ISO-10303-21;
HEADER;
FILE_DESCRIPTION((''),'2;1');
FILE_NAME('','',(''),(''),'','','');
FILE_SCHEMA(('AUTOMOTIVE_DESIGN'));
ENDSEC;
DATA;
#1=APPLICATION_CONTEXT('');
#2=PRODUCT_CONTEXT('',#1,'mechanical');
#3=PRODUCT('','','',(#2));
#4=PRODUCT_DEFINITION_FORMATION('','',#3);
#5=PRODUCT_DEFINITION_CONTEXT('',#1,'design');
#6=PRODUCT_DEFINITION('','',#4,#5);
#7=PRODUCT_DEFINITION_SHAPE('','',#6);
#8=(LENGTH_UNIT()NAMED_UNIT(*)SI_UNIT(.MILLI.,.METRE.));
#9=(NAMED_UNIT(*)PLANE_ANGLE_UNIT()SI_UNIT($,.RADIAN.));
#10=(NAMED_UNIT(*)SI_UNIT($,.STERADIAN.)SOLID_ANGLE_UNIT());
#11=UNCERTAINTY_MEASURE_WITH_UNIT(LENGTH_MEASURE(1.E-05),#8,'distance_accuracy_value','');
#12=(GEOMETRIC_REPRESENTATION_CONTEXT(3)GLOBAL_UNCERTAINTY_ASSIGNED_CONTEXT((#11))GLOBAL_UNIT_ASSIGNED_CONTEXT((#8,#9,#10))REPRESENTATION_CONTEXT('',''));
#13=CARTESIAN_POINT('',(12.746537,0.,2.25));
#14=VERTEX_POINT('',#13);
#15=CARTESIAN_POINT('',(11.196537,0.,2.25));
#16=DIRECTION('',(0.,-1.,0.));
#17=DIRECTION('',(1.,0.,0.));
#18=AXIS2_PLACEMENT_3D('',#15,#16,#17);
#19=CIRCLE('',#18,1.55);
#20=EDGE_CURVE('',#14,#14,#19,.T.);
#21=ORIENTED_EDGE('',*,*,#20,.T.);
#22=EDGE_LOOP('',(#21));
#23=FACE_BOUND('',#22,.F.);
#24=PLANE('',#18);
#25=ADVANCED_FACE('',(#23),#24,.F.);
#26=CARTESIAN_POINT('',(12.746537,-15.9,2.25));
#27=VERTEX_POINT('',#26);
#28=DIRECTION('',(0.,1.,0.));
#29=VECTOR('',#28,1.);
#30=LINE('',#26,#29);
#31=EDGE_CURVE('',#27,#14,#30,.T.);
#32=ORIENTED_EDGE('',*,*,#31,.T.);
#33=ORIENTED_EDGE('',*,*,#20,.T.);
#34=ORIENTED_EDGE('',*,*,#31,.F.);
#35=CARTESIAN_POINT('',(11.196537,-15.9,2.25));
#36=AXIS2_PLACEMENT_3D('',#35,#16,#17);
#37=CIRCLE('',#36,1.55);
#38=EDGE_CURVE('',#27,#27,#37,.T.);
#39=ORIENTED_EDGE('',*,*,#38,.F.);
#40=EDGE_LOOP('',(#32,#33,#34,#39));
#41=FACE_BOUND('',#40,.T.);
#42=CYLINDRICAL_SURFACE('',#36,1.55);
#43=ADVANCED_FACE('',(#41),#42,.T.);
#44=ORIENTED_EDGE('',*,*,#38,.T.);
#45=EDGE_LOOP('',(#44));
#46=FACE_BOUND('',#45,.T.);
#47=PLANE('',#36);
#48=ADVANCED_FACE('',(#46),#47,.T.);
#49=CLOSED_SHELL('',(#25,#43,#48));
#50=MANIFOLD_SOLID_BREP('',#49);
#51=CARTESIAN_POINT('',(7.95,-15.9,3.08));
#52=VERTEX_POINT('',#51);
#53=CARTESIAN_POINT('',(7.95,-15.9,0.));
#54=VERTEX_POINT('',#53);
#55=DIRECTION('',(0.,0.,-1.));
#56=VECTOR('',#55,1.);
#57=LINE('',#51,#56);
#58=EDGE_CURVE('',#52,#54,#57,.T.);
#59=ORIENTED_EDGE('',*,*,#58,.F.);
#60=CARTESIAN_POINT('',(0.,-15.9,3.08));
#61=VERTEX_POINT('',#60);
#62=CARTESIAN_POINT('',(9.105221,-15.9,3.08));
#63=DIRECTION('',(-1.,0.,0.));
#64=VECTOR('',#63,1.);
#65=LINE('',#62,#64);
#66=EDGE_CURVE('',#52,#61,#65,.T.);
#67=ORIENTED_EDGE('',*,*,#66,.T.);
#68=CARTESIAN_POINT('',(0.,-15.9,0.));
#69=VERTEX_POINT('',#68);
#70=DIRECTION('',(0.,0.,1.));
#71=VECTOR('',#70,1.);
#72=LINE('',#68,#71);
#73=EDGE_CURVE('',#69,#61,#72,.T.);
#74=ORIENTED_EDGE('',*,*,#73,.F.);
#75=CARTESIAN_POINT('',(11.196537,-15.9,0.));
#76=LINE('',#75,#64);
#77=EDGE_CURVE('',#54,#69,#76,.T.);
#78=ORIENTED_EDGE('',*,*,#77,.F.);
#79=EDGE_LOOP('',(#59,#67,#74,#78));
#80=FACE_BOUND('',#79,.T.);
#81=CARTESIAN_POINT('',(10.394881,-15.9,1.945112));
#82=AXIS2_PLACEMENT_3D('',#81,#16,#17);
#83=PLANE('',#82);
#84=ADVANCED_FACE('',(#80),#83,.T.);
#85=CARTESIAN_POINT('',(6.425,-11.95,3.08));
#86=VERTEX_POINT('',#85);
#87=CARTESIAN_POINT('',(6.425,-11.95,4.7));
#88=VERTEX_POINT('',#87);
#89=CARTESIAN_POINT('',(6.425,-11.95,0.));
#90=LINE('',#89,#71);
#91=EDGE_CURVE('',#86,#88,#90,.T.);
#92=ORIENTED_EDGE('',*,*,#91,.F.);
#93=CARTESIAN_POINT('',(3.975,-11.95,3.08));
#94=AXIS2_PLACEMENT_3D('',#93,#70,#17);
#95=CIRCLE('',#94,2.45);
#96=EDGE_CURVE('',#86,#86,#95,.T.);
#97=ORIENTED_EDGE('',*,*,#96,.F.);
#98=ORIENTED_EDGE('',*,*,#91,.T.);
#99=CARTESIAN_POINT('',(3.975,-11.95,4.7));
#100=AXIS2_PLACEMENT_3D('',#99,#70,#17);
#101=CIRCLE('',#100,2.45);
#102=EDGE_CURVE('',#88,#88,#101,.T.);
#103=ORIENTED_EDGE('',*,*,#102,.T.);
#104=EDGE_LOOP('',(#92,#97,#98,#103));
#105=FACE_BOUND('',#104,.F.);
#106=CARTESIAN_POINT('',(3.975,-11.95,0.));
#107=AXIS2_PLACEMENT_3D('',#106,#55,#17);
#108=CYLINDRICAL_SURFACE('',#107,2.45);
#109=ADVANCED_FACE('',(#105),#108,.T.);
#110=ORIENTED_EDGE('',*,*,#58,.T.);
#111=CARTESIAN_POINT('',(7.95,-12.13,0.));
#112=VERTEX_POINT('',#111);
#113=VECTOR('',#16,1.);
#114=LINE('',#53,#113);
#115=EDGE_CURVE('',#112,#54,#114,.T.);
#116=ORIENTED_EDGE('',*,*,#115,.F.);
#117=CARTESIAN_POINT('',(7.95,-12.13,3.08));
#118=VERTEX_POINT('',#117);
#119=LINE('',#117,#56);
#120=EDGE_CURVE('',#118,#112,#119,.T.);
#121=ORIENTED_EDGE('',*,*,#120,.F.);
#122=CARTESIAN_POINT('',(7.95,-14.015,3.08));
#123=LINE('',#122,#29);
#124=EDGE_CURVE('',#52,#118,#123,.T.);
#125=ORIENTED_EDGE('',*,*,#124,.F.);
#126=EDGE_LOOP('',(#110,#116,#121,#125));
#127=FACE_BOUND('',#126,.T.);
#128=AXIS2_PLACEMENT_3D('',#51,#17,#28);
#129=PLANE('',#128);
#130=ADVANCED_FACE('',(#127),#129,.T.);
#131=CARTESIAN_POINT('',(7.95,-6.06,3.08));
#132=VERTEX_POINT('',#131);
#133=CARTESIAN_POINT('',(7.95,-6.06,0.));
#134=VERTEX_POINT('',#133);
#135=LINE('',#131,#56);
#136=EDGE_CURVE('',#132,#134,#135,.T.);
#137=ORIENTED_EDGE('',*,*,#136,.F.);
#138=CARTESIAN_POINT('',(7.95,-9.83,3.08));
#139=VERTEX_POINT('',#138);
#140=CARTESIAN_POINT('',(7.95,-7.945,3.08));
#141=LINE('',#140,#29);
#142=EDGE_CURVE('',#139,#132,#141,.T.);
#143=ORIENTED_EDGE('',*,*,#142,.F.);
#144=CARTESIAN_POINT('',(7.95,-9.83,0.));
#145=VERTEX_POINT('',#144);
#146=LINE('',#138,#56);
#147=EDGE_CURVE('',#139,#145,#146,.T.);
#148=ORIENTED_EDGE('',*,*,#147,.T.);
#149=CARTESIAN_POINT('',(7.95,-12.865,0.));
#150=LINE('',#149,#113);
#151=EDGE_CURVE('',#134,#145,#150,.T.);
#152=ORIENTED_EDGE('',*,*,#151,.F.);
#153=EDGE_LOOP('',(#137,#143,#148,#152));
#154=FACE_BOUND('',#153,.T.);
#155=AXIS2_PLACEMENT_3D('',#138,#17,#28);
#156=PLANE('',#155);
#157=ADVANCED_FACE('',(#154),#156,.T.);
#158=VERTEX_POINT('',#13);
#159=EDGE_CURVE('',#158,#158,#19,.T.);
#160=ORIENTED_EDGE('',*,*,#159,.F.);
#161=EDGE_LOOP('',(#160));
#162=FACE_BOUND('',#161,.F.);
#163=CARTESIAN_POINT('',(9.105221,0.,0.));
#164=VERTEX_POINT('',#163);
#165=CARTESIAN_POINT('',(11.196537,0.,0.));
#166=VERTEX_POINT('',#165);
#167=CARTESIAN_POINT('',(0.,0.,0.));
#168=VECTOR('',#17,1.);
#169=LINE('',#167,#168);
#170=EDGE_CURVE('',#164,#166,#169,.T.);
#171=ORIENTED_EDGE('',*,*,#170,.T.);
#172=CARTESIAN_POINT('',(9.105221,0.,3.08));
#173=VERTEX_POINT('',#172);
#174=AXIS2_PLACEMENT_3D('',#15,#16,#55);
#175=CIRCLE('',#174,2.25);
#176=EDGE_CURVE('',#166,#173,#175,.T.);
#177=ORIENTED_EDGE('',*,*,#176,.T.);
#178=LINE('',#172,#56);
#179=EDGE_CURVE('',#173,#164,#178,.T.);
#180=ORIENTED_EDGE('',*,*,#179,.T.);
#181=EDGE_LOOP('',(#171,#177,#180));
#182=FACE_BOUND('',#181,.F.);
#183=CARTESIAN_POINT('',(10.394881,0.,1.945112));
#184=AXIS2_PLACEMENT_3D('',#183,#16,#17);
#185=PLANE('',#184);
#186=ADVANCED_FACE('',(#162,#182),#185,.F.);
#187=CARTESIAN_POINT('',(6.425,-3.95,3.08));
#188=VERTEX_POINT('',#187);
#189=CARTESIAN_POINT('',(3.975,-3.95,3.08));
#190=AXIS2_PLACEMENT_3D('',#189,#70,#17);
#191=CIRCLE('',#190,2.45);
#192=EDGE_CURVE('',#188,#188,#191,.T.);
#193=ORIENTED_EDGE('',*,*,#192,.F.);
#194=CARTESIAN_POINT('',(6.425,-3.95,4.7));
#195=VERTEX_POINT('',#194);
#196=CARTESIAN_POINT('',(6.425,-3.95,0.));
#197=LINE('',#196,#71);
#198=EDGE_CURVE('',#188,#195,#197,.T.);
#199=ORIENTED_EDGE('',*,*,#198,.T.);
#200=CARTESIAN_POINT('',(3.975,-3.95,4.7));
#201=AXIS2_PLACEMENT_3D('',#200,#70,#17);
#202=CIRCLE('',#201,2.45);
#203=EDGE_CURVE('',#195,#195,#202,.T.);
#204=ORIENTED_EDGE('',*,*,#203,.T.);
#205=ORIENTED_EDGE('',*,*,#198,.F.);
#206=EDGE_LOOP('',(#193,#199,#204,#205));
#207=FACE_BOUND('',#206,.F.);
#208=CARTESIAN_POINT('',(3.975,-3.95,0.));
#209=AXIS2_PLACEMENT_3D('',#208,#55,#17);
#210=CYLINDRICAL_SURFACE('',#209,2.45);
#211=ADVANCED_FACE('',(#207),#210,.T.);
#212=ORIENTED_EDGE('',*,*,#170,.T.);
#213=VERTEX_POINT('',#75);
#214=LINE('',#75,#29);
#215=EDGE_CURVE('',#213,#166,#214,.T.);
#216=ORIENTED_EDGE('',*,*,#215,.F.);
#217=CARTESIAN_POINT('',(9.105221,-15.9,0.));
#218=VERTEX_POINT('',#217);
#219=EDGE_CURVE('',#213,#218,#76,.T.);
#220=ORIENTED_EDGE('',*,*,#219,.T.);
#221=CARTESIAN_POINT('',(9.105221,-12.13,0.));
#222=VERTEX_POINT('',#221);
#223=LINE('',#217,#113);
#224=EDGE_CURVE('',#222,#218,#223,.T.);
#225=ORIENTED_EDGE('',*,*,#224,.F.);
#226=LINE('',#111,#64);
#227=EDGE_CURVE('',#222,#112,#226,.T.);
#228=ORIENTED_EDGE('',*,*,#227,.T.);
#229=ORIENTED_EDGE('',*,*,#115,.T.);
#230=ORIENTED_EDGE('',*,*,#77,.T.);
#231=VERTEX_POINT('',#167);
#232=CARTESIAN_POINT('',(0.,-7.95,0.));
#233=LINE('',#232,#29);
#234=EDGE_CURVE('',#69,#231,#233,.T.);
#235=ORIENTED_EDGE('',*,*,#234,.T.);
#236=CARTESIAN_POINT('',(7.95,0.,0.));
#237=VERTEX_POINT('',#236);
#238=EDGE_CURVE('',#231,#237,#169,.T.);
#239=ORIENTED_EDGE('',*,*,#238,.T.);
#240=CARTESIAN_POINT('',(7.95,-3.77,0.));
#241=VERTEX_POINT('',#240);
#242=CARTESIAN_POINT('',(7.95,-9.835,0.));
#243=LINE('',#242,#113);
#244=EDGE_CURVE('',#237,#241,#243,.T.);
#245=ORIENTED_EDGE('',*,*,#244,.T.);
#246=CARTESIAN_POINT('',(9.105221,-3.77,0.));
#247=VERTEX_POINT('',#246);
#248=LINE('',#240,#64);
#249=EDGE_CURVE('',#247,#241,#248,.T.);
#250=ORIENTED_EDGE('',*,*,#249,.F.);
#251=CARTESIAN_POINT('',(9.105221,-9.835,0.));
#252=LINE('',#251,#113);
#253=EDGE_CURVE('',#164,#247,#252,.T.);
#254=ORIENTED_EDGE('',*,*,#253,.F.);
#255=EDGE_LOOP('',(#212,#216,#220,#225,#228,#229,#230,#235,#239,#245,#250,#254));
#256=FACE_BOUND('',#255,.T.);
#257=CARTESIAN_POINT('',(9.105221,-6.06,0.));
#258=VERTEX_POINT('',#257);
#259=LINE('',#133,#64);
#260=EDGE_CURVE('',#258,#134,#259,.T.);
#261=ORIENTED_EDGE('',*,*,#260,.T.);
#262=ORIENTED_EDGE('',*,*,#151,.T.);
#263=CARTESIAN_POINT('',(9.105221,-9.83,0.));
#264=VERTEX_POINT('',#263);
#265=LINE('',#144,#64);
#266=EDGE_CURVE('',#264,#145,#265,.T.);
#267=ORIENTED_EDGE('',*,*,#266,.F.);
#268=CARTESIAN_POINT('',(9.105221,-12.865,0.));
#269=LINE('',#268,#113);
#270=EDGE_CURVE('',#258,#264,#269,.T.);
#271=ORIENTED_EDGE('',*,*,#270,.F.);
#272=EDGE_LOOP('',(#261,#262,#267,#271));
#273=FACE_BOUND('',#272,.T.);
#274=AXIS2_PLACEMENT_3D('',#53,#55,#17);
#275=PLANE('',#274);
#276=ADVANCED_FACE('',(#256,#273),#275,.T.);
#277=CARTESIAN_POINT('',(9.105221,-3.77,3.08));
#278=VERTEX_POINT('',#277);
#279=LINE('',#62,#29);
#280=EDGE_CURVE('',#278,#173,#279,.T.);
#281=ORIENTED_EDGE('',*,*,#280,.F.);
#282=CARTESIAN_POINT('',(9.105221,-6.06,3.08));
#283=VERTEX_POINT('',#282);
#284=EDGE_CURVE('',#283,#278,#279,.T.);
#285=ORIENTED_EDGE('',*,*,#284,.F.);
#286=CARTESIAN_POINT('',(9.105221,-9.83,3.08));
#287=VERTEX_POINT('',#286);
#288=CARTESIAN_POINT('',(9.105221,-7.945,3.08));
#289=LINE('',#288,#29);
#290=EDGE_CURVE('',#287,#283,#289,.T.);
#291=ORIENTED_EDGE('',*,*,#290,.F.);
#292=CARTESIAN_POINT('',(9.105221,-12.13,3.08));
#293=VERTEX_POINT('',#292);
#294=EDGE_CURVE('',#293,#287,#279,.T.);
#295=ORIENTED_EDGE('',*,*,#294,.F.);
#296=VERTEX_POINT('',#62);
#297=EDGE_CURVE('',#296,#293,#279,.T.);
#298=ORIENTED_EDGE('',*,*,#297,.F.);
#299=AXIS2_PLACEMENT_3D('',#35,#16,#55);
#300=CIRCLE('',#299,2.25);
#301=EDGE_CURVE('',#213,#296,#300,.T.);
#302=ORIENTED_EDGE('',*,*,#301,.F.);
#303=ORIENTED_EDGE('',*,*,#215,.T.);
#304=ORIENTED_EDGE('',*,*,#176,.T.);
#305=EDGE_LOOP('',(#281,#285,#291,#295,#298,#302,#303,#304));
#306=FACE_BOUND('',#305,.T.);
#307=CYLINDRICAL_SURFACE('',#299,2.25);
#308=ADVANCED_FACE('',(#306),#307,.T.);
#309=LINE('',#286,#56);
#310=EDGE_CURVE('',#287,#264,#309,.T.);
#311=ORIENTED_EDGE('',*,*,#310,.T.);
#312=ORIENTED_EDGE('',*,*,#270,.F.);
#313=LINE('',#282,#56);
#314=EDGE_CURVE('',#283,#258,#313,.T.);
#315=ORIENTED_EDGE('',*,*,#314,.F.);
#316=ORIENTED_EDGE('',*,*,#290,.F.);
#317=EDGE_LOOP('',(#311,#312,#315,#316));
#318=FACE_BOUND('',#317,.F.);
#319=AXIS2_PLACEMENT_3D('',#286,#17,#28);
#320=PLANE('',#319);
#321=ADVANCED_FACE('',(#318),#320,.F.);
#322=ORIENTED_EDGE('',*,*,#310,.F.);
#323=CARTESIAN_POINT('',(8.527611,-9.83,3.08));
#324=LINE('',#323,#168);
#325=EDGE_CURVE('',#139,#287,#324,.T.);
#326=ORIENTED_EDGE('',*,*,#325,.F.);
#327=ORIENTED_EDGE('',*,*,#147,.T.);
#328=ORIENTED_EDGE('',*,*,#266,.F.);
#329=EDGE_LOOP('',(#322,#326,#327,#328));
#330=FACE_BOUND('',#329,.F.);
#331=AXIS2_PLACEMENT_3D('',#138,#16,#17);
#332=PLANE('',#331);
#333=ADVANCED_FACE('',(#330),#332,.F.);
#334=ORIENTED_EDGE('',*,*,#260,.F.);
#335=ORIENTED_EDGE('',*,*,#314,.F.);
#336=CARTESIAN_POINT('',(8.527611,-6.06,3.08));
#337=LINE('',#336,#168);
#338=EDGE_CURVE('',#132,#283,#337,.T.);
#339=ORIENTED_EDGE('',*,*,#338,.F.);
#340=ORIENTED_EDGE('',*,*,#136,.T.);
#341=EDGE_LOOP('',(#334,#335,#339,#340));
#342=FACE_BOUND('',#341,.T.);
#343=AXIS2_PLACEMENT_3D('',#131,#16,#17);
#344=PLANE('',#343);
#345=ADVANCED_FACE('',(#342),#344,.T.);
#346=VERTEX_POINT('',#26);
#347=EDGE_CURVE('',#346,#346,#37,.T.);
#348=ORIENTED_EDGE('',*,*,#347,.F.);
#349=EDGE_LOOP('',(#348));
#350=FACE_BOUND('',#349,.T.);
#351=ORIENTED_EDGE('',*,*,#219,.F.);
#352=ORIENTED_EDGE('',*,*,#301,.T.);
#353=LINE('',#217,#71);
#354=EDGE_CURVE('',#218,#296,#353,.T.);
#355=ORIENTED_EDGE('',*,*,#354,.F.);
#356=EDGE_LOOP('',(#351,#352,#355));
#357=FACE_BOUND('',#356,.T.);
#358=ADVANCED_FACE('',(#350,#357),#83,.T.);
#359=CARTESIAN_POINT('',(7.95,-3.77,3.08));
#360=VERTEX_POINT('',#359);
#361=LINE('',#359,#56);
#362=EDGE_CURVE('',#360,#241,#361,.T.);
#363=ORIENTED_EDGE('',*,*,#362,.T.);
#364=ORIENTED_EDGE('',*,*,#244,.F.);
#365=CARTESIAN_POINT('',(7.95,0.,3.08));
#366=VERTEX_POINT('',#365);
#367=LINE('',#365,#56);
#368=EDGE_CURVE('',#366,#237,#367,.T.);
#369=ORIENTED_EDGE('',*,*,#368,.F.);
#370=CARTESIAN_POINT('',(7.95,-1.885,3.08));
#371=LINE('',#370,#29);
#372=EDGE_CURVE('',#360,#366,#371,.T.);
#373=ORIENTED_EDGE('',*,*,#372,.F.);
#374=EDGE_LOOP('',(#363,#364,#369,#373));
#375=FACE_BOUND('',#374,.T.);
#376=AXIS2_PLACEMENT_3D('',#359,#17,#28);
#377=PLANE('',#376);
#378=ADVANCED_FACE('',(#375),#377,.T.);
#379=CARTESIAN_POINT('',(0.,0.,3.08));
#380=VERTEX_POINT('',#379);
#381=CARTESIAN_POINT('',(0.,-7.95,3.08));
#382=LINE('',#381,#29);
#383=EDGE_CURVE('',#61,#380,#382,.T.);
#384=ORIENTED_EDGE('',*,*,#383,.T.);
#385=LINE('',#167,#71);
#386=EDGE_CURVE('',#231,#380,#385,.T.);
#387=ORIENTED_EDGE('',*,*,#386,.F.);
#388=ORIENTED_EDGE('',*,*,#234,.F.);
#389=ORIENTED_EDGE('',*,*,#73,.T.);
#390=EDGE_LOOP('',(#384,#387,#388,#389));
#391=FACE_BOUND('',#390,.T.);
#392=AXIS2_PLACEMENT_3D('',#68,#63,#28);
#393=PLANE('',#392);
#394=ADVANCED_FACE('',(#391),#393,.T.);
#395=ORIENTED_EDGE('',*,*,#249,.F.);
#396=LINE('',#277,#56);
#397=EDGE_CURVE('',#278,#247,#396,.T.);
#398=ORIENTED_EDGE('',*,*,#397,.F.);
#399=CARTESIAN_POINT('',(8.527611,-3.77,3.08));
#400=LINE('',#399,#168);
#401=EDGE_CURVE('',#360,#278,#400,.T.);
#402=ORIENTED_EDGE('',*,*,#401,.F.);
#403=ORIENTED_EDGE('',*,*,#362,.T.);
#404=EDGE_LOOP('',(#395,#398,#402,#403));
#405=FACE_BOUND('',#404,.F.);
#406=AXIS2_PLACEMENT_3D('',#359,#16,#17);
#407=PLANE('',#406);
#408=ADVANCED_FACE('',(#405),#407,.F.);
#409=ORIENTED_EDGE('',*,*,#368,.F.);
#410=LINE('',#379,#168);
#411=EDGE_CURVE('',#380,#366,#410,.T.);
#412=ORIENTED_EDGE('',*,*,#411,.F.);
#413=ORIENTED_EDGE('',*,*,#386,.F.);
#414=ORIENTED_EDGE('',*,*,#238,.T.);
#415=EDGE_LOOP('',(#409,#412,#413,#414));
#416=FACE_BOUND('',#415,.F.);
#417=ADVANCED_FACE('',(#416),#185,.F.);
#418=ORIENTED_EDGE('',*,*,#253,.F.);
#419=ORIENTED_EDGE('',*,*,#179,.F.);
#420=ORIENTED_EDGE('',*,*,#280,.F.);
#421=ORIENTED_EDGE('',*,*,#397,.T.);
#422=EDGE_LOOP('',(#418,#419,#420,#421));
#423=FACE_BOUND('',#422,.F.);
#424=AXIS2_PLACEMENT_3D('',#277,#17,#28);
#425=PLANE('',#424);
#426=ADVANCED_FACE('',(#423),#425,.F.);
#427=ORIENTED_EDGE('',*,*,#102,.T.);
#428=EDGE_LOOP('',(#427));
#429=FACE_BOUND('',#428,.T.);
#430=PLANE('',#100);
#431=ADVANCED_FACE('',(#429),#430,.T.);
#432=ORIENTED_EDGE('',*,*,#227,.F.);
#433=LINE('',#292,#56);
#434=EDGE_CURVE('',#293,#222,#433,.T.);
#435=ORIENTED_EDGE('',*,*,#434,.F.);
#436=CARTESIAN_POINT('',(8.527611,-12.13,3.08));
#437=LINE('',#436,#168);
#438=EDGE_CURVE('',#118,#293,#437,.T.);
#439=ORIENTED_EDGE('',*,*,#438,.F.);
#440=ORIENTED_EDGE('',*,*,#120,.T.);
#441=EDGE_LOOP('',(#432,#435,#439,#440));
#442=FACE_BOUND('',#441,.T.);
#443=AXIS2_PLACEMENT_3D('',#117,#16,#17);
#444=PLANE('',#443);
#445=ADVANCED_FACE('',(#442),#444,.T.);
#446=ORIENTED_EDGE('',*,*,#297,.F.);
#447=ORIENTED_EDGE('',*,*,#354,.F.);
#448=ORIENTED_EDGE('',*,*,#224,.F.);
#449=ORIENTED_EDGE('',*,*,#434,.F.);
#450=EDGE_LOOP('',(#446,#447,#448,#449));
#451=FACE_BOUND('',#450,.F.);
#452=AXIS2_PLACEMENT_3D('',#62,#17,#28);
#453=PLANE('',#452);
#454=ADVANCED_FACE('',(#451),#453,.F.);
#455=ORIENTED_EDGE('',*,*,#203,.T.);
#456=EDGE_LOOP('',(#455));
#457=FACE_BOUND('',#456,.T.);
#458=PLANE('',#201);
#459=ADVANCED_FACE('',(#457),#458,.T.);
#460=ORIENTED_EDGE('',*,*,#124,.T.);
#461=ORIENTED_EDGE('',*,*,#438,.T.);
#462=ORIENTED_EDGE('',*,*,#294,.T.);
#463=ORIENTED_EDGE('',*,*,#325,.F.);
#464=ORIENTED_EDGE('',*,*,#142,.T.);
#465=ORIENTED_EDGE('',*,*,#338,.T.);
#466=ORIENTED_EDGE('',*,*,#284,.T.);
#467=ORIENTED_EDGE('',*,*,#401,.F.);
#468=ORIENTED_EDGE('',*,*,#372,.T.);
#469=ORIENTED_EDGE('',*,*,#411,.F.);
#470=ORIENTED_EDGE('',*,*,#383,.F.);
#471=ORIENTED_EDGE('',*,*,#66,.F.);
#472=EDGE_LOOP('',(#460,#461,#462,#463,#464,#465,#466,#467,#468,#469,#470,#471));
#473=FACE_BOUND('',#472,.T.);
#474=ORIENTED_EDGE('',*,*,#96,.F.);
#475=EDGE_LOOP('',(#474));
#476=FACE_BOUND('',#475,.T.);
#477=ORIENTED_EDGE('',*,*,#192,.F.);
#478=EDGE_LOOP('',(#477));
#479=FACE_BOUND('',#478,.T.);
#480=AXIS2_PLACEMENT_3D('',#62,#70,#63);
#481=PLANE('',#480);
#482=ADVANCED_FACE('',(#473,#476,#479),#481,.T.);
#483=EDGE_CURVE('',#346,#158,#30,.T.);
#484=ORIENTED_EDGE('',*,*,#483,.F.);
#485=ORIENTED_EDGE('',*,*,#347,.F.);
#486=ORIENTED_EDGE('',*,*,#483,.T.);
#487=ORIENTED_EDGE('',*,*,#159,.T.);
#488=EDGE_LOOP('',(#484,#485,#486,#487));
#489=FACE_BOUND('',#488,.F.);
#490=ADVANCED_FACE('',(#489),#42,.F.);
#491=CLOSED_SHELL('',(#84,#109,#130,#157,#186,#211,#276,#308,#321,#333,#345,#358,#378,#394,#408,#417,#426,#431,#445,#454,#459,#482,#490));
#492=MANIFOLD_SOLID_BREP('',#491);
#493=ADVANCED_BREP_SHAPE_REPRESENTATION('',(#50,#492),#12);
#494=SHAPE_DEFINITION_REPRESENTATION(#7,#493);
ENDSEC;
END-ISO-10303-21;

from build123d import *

# Parameters (mm, degrees)
F0_W     = 7.95
F0_H     = 15.9
F0_R     = 2.45
F1_DEPTH = 3.08
F2_DEPTH = 4.7
F3_R     = 1.55
F4_DEPTH = 15.9
F5_W     = 1.1552212406
F5_H     = 3.77
F6_DEPTH = 25
F7_DEPTH = 15.9
F8_R     = 1.5205459649
F9_DEPTH = 3.77


with BuildPart() as f1:
    # F0 (on Top) → F1 (new body)
    with BuildSketch(Plane.XY):
        with Locations((3.975, -7.95)):
            Rectangle(F0_W, F0_H)
        with Locations((3.975, -11.95)):
            Circle(F0_R, mode=Mode.SUBTRACT)
        with Locations((3.975, -3.95)):
            Circle(F0_R, mode=Mode.SUBTRACT)
    extrude(amount=F1_DEPTH)

    # F0 (on Top) → F2 (join)
    with BuildSketch(Plane.XY):
        with Locations((3.975, -11.95)):
            Circle(F0_R)
        with Locations((3.975, -3.95)):
            Circle(F0_R)
    extrude(amount=F2_DEPTH)

    # F3 (on face) → F4 (join)
    with BuildSketch(Plane.XZ.offset(15.9)):
        with BuildLine():
            Line((7.95, 0), (11.1965366161, 0))
            ThreePointArc((11.1965366161, 0), (13.057987663, 3.513922466), (9.1052212406, 3.08))
            Line((9.1052212406, 3.08), (7.95, 3.08))
            Line((7.95, 3.08), (7.95, 0))
        make_face()
        with Locations((11.1965366161, 2.25)):
            Circle(F3_R, mode=Mode.SUBTRACT)
    extrude(amount=-F4_DEPTH)

    # F5 (on face) → F6 (cut)
    with BuildSketch(Plane.XY.offset(3.08)):
        with Locations((8.5276106203, -1.885)):
            Rectangle(F5_W, F5_H)
        with Locations((8.5276106203, -14.015)):
            Rectangle(F5_W, F5_H)
        with Locations((8.5276106203, -7.945)):
            Rectangle(F5_W, F5_H)
    extrude(amount=-F6_DEPTH, mode=Mode.SUBTRACT)

    # F8 (on face) → F9 (cut)
    with BuildSketch(Plane.XZ.offset(15.9)):
        with BuildLine():
            Line((9.1052212406, 0), (10.5373981893, 0))
            ThreePointArc((10.5373981893, 0), (12.6789284615, 4.0664464987), (9.1243527191, 1.1531785184))
            Line((9.1243527191, 1.1531785184), (9.1052212406, 0))
        make_face()
        with Locations((11.1965366161, 2.25)):
            Circle(F8_R, mode=Mode.SUBTRACT)
    extrude(amount=F9_DEPTH, mode=Mode.SUBTRACT)


with BuildPart() as f7:
    # F3 (on face) → F7 (new body)
    with BuildSketch(Plane.XZ.offset(15.9)):
        with Locations((11.1965366161, 2.25)):
            Circle(F3_R)
    extrude(amount=-F7_DEPTH)


solid = Compound([f1.part, f7.part])
